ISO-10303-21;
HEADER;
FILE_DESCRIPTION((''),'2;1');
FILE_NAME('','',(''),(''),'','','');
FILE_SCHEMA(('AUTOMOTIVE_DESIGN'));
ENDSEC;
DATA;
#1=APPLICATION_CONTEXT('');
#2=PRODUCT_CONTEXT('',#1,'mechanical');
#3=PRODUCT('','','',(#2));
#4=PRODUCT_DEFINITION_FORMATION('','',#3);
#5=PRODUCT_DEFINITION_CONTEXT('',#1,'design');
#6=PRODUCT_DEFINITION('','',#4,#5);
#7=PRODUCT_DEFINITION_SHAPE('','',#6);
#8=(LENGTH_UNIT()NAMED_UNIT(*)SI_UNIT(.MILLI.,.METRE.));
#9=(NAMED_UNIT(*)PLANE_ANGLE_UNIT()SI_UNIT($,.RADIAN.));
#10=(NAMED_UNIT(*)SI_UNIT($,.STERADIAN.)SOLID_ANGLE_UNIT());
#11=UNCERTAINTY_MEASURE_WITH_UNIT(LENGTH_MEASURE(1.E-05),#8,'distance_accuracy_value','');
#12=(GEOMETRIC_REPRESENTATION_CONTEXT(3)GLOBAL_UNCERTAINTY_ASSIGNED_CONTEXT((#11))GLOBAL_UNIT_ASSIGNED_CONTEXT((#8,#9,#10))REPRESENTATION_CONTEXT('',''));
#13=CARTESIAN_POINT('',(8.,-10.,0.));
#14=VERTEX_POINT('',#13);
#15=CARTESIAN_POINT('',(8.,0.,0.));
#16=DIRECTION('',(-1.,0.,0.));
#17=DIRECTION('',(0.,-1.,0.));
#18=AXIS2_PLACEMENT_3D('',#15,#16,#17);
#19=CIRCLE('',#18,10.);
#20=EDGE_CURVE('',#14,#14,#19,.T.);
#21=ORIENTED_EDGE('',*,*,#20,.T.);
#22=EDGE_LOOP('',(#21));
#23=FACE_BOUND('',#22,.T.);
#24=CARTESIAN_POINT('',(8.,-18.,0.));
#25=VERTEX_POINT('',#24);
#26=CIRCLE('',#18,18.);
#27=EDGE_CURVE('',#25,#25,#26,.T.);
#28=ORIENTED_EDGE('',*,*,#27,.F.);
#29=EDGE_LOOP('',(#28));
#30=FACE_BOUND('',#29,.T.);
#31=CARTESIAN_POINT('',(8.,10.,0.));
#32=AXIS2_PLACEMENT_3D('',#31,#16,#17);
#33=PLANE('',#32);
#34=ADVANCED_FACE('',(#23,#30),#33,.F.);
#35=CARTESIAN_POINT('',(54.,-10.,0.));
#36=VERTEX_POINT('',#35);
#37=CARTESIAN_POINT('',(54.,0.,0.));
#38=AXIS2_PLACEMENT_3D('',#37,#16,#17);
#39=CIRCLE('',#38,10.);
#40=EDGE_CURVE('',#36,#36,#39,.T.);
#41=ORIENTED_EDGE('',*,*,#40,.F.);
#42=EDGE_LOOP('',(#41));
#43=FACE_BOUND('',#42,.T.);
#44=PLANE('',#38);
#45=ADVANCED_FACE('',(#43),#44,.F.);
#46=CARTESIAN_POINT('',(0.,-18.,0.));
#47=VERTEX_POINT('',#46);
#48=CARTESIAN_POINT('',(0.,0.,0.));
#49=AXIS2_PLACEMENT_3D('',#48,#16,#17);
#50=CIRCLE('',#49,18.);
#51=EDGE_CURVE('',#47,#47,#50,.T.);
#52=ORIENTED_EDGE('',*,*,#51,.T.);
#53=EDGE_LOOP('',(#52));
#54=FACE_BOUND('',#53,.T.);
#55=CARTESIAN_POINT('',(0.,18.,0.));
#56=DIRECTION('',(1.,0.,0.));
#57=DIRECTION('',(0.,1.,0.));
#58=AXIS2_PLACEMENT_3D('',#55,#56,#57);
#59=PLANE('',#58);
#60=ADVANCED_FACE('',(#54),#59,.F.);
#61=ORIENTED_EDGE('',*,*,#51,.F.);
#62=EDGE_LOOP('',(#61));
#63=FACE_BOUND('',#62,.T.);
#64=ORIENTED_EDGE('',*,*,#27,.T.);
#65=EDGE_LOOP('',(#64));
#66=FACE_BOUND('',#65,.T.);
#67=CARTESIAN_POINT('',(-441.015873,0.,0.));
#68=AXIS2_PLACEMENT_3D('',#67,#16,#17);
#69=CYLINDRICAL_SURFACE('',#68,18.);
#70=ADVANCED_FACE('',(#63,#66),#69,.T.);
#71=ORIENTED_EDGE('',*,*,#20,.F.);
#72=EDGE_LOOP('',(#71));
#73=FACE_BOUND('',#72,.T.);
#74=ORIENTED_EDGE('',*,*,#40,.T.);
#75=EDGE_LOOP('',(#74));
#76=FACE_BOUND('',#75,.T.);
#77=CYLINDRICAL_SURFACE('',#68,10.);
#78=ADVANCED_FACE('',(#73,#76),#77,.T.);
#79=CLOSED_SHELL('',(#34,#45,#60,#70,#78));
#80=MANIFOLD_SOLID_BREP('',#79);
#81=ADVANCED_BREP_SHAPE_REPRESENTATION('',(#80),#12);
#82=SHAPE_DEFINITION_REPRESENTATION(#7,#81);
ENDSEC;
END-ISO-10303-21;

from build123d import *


with BuildPart() as part:
    # Sketch1 → Revolve1 (revolve)
    with BuildSketch(Plane.XY, mode=Mode.PRIVATE) as revolve1_sk:
        Polygon((54, 10), (8, 10), (8, 18), (0, 18), (0, 0), (54, 0), align=None)
    revolve(revolve1_sk.sketch.rotate(Axis((-441.015873016, 0, 0), (1, 0, 0)), 180), axis=Axis((-441.015873016, 0, 0), (1, 0, 0)))


solid = part.part
